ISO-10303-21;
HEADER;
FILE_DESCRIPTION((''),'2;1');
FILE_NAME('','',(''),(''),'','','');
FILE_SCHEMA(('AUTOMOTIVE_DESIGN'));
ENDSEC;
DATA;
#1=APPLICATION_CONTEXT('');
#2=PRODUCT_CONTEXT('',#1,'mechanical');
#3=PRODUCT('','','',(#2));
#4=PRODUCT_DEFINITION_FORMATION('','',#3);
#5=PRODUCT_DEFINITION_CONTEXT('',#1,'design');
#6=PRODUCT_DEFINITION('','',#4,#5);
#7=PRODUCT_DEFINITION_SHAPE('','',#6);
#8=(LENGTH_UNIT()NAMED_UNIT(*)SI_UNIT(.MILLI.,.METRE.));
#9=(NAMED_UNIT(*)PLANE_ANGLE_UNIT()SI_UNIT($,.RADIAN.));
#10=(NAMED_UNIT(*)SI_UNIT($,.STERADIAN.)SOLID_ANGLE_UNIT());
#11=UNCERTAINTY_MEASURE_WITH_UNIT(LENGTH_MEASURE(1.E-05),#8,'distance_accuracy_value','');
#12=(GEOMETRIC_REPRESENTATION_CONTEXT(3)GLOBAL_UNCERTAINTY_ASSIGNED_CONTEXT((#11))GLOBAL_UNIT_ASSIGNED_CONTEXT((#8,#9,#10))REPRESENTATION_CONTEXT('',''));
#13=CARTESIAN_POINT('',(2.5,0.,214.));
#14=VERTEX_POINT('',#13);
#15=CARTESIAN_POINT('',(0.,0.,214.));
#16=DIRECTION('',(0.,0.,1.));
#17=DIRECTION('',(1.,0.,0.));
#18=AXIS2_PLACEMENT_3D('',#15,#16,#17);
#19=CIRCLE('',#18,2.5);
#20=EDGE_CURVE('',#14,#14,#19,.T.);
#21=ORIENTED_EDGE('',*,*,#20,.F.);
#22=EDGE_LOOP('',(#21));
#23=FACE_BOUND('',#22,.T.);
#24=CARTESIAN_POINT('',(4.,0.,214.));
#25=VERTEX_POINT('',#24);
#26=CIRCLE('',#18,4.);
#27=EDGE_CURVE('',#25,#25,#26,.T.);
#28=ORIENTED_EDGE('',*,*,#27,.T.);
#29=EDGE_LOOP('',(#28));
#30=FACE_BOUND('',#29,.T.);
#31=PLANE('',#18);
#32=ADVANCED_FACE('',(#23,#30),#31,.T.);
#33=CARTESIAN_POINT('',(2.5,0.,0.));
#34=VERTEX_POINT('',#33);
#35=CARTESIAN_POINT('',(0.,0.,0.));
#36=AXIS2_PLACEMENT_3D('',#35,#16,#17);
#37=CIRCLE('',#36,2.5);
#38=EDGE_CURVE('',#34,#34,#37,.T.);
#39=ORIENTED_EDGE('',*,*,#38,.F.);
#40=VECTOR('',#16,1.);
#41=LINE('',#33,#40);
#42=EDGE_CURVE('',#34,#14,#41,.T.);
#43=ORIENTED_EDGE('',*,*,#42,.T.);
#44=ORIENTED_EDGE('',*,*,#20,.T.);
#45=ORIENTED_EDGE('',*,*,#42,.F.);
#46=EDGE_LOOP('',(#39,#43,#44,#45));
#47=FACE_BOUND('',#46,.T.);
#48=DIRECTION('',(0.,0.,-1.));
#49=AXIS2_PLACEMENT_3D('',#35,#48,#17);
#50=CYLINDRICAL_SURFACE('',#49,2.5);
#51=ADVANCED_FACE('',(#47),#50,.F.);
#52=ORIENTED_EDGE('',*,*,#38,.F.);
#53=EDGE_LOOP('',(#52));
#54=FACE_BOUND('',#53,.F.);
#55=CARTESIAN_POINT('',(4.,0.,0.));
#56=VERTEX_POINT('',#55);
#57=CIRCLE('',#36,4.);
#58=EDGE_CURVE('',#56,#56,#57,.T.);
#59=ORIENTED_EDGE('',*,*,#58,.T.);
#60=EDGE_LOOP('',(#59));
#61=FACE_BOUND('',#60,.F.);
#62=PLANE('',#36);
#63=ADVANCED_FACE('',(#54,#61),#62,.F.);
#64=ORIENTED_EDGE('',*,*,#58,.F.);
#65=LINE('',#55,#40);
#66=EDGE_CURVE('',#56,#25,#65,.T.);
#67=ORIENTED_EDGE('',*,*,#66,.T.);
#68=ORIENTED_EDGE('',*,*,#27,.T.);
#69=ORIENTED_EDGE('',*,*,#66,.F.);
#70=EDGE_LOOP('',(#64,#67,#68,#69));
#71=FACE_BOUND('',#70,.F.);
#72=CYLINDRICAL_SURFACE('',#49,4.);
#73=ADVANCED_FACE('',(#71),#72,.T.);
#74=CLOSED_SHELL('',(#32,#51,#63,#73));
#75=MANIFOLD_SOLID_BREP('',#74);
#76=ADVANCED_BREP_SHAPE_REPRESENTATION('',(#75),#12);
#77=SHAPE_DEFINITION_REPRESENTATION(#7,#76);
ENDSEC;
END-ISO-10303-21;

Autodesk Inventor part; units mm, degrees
ref_plane "YZ Plane" through (0, 0, 0) normal (1, 0, 0) x (0, 1, 0)
ref_plane "XZ Plane" through (0, 0, 0) normal (0, 1, 0) x (-1, 0, 0)
ref_plane "XY Plane" through (0, 0, 0) normal (0, 0, 1) x (1, 0, 0)
sketch "Эскиз1" plane through (0, 0, 0) normal (0, 0, 1) x (1, 0, 0)
  circle A0 centre (0, 0) radius 2.5
  circle A1 centre (0, 0) radius 4
  dimension "d0" = 5
  dimension "d1" = 8
extrude "Выдавливание1" add sketch "Эскиз1" along normal blind 214
properties part number "Трубка опоры (8 мм)"
